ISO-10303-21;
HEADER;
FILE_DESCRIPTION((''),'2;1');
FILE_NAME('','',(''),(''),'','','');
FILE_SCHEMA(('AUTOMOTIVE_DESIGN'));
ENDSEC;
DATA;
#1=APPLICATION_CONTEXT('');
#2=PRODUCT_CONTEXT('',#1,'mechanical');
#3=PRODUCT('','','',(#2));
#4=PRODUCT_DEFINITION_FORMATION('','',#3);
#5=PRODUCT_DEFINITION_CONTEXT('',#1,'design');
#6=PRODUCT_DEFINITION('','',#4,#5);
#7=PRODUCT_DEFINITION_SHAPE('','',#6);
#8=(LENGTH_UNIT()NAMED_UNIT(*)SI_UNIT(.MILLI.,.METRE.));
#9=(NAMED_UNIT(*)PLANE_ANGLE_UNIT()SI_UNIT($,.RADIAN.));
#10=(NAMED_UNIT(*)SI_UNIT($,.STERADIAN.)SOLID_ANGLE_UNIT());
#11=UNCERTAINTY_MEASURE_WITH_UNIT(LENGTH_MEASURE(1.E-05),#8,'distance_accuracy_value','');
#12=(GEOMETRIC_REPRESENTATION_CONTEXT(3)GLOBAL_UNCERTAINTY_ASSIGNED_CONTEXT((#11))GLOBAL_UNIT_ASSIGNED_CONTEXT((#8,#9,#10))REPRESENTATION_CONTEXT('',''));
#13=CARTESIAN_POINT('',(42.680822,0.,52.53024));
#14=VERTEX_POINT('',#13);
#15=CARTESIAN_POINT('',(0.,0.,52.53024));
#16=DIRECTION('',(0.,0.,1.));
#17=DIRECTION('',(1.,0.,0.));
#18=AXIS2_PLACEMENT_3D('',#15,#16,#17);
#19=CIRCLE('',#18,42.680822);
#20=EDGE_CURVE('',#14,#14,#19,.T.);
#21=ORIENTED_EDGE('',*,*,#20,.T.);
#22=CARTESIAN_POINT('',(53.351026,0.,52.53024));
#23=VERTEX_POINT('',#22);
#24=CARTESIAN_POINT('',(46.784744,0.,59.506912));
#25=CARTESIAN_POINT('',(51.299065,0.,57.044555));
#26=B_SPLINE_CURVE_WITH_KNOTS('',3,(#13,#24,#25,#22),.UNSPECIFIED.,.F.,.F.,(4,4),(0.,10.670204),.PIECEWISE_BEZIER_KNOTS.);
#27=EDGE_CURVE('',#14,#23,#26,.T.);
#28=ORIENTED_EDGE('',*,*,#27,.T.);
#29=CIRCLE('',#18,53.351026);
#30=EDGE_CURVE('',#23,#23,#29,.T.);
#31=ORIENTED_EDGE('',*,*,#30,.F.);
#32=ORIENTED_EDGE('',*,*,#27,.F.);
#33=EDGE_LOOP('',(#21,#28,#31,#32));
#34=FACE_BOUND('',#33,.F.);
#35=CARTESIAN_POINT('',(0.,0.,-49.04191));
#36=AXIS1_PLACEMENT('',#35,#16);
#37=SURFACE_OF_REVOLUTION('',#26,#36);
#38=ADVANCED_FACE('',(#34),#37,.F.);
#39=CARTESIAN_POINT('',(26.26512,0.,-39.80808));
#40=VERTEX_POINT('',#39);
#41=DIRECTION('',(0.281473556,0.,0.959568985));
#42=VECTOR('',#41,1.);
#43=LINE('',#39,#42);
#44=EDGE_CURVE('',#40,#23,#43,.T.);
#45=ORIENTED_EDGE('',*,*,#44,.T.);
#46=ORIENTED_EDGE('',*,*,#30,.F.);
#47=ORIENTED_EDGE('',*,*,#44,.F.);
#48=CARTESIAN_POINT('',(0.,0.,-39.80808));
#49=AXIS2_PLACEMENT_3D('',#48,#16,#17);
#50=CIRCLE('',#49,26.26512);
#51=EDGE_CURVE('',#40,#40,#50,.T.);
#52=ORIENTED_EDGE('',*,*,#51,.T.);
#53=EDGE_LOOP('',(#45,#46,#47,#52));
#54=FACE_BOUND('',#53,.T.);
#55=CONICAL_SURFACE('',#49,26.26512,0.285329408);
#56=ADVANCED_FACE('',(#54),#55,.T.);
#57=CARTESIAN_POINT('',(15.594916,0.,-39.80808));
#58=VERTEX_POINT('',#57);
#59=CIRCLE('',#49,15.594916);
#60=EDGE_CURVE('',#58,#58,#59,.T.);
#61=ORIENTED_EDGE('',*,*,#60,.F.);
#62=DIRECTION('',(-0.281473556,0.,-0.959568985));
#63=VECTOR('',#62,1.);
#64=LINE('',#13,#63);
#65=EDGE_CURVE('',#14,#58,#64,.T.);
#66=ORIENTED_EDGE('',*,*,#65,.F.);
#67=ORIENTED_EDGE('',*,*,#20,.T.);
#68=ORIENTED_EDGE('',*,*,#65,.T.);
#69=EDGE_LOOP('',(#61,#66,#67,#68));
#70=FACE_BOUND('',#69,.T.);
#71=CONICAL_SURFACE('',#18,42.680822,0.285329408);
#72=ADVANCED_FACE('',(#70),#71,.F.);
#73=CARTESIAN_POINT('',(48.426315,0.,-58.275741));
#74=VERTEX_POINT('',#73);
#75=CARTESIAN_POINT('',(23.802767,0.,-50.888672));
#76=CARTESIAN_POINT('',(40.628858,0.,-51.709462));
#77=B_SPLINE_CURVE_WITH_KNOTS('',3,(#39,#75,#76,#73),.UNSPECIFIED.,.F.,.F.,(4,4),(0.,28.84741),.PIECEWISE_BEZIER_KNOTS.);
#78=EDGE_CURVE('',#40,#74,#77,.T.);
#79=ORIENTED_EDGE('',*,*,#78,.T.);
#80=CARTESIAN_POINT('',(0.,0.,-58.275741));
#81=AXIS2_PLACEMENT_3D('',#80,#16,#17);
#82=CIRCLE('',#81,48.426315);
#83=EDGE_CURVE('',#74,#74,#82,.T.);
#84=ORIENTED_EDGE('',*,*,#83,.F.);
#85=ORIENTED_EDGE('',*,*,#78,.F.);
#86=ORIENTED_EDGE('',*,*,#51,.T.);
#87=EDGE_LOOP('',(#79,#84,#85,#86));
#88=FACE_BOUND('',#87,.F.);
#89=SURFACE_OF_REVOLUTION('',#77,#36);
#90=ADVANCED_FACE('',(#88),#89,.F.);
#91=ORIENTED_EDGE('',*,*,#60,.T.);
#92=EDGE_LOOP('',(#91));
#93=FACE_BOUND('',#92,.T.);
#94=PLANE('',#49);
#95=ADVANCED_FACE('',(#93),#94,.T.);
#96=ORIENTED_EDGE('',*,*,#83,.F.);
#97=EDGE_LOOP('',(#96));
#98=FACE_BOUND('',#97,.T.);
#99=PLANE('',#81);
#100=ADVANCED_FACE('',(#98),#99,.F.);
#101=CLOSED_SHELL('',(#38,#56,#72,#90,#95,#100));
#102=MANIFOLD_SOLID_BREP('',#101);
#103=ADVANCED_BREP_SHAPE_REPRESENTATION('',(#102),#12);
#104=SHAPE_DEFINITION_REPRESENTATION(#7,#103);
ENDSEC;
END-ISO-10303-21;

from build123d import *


with BuildPart() as f1:
    # F0 (on Front) → F1 (revolve)
    with BuildSketch(Plane.XZ):
        with BuildLine():
            add(Edge.make_bspline(
                [(26.26512, -39.80808), (23.802767, -50.888672), (40.628858, -51.709462), (48.426315, -58.275741)],
                knots=[0, 0, 0, 0, 28.84741, 28.84741, 28.84741, 28.84741], degree=3))
            Line((26.26512, -39.80808), (53.351026, 52.53024))
            add(Edge.make_bspline(
                [(42.680822, 52.53024), (46.784744, 59.506912), (51.299065, 57.044555), (53.351026, 52.53024)],
                knots=[0, 0, 0, 0, 10.670204, 10.670204, 10.670204, 10.670204], degree=3))
            Line((42.680822, 52.53024), (15.594916, -39.80808))
            Line((15.594916, -39.80808), (0, -39.80808))
            Line((0, -39.80808), (0, -58.275741))
            Line((0, -58.275741), (48.426315, -58.275741))
        make_face()
    revolve(axis=Axis((0, 0, -49.04191), (0, 0, 1)))


solid = f1.part
